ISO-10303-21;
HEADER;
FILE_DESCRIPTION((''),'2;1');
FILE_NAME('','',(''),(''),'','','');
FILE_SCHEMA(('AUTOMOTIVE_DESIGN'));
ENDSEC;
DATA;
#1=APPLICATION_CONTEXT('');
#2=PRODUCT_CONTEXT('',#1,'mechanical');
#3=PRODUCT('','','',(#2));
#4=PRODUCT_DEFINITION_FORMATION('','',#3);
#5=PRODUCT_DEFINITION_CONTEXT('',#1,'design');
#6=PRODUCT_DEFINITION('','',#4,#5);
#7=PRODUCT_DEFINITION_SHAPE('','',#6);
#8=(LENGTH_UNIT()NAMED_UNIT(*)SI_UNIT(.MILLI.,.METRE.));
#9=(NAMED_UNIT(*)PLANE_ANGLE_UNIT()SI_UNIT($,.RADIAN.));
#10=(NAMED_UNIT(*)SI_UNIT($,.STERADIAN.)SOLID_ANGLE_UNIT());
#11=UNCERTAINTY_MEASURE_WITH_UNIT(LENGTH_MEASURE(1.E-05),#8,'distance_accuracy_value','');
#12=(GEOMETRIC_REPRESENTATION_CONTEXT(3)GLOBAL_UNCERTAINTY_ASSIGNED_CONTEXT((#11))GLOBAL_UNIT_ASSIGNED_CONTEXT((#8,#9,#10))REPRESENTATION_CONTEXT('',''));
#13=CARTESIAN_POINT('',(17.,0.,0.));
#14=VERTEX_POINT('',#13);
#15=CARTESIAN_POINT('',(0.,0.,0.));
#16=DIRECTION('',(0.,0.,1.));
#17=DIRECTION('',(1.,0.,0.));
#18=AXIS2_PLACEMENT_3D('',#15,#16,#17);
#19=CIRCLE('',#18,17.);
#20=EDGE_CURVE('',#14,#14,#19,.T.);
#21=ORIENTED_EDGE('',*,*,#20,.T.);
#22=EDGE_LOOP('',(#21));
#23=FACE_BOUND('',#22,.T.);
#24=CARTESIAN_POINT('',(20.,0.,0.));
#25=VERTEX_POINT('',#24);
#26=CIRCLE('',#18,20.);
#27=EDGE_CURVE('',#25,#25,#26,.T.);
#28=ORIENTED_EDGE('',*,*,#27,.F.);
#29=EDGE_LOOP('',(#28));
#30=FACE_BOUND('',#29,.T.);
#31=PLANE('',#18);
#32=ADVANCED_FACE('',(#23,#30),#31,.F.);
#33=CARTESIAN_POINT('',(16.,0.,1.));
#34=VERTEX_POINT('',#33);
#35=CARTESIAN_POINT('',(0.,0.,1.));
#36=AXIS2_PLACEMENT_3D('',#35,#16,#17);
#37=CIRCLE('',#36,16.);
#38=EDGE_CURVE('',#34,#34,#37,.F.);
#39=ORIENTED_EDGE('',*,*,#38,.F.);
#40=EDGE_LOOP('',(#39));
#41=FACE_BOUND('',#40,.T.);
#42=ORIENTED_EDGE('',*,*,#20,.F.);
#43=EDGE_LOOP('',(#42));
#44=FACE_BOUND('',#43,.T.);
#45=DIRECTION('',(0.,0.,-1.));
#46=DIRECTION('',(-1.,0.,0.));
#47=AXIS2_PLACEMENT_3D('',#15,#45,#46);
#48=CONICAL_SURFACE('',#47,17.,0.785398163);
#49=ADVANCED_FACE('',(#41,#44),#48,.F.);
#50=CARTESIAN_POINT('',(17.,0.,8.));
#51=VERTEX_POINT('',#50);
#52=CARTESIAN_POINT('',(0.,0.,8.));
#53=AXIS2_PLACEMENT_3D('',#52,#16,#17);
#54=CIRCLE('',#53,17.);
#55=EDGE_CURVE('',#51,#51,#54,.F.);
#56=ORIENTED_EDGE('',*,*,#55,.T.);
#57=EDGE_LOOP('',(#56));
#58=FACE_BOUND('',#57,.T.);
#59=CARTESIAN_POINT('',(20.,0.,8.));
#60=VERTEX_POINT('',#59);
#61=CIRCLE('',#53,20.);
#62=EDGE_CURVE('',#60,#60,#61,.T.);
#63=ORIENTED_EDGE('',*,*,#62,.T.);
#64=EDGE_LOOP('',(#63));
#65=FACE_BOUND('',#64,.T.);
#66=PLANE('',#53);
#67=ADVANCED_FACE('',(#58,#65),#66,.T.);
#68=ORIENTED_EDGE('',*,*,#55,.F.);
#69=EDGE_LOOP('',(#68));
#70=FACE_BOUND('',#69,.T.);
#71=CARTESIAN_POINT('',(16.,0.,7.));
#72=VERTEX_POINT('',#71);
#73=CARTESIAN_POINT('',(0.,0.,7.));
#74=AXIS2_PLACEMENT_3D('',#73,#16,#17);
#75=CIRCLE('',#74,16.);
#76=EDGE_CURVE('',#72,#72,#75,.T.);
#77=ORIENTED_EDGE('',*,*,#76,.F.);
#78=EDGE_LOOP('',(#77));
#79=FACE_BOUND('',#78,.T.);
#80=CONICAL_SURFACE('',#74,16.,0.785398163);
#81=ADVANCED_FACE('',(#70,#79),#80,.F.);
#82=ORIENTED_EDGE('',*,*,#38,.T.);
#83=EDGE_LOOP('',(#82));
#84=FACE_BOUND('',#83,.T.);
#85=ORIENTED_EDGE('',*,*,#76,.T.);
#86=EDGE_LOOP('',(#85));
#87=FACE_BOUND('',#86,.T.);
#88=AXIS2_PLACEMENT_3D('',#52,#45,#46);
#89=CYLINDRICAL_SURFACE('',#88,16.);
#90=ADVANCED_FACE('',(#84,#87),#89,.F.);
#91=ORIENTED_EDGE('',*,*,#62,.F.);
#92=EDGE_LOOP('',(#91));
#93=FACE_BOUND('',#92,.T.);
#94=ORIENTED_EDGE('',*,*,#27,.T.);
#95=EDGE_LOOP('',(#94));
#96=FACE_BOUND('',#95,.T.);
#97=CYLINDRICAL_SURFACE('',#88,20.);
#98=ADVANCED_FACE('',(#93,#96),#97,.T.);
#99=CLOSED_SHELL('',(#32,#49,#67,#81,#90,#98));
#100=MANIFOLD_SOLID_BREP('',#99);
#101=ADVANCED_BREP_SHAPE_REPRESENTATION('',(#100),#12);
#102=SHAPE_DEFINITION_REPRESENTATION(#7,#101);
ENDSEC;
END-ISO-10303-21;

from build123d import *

# Parameters (mm, degrees)
SCHIZZO1_R                   = 20
SCHIZZO1_R_2                 = 16
ESTRUSIONE_ESTRUSIONE1_DEPTH = 8
SMUSSO2_SIZE                 = 1


with BuildPart() as part:
    # Schizzo1 → Estrusione-Estrusione1 (new body)
    with BuildSketch(Plane.XY):
        Circle(SCHIZZO1_R)
        Circle(SCHIZZO1_R_2, mode=Mode.SUBTRACT)
    extrude(amount=ESTRUSIONE_ESTRUSIONE1_DEPTH)

    # Smusso2
    smusso2_edges = [part.edges().sort_by_distance(p)[0] for p in [
        (-16, 0, 0),
        (-16, 0, 8),
    ]]
    chamfer(smusso2_edges, length=SMUSSO2_SIZE)


solid = part.part
